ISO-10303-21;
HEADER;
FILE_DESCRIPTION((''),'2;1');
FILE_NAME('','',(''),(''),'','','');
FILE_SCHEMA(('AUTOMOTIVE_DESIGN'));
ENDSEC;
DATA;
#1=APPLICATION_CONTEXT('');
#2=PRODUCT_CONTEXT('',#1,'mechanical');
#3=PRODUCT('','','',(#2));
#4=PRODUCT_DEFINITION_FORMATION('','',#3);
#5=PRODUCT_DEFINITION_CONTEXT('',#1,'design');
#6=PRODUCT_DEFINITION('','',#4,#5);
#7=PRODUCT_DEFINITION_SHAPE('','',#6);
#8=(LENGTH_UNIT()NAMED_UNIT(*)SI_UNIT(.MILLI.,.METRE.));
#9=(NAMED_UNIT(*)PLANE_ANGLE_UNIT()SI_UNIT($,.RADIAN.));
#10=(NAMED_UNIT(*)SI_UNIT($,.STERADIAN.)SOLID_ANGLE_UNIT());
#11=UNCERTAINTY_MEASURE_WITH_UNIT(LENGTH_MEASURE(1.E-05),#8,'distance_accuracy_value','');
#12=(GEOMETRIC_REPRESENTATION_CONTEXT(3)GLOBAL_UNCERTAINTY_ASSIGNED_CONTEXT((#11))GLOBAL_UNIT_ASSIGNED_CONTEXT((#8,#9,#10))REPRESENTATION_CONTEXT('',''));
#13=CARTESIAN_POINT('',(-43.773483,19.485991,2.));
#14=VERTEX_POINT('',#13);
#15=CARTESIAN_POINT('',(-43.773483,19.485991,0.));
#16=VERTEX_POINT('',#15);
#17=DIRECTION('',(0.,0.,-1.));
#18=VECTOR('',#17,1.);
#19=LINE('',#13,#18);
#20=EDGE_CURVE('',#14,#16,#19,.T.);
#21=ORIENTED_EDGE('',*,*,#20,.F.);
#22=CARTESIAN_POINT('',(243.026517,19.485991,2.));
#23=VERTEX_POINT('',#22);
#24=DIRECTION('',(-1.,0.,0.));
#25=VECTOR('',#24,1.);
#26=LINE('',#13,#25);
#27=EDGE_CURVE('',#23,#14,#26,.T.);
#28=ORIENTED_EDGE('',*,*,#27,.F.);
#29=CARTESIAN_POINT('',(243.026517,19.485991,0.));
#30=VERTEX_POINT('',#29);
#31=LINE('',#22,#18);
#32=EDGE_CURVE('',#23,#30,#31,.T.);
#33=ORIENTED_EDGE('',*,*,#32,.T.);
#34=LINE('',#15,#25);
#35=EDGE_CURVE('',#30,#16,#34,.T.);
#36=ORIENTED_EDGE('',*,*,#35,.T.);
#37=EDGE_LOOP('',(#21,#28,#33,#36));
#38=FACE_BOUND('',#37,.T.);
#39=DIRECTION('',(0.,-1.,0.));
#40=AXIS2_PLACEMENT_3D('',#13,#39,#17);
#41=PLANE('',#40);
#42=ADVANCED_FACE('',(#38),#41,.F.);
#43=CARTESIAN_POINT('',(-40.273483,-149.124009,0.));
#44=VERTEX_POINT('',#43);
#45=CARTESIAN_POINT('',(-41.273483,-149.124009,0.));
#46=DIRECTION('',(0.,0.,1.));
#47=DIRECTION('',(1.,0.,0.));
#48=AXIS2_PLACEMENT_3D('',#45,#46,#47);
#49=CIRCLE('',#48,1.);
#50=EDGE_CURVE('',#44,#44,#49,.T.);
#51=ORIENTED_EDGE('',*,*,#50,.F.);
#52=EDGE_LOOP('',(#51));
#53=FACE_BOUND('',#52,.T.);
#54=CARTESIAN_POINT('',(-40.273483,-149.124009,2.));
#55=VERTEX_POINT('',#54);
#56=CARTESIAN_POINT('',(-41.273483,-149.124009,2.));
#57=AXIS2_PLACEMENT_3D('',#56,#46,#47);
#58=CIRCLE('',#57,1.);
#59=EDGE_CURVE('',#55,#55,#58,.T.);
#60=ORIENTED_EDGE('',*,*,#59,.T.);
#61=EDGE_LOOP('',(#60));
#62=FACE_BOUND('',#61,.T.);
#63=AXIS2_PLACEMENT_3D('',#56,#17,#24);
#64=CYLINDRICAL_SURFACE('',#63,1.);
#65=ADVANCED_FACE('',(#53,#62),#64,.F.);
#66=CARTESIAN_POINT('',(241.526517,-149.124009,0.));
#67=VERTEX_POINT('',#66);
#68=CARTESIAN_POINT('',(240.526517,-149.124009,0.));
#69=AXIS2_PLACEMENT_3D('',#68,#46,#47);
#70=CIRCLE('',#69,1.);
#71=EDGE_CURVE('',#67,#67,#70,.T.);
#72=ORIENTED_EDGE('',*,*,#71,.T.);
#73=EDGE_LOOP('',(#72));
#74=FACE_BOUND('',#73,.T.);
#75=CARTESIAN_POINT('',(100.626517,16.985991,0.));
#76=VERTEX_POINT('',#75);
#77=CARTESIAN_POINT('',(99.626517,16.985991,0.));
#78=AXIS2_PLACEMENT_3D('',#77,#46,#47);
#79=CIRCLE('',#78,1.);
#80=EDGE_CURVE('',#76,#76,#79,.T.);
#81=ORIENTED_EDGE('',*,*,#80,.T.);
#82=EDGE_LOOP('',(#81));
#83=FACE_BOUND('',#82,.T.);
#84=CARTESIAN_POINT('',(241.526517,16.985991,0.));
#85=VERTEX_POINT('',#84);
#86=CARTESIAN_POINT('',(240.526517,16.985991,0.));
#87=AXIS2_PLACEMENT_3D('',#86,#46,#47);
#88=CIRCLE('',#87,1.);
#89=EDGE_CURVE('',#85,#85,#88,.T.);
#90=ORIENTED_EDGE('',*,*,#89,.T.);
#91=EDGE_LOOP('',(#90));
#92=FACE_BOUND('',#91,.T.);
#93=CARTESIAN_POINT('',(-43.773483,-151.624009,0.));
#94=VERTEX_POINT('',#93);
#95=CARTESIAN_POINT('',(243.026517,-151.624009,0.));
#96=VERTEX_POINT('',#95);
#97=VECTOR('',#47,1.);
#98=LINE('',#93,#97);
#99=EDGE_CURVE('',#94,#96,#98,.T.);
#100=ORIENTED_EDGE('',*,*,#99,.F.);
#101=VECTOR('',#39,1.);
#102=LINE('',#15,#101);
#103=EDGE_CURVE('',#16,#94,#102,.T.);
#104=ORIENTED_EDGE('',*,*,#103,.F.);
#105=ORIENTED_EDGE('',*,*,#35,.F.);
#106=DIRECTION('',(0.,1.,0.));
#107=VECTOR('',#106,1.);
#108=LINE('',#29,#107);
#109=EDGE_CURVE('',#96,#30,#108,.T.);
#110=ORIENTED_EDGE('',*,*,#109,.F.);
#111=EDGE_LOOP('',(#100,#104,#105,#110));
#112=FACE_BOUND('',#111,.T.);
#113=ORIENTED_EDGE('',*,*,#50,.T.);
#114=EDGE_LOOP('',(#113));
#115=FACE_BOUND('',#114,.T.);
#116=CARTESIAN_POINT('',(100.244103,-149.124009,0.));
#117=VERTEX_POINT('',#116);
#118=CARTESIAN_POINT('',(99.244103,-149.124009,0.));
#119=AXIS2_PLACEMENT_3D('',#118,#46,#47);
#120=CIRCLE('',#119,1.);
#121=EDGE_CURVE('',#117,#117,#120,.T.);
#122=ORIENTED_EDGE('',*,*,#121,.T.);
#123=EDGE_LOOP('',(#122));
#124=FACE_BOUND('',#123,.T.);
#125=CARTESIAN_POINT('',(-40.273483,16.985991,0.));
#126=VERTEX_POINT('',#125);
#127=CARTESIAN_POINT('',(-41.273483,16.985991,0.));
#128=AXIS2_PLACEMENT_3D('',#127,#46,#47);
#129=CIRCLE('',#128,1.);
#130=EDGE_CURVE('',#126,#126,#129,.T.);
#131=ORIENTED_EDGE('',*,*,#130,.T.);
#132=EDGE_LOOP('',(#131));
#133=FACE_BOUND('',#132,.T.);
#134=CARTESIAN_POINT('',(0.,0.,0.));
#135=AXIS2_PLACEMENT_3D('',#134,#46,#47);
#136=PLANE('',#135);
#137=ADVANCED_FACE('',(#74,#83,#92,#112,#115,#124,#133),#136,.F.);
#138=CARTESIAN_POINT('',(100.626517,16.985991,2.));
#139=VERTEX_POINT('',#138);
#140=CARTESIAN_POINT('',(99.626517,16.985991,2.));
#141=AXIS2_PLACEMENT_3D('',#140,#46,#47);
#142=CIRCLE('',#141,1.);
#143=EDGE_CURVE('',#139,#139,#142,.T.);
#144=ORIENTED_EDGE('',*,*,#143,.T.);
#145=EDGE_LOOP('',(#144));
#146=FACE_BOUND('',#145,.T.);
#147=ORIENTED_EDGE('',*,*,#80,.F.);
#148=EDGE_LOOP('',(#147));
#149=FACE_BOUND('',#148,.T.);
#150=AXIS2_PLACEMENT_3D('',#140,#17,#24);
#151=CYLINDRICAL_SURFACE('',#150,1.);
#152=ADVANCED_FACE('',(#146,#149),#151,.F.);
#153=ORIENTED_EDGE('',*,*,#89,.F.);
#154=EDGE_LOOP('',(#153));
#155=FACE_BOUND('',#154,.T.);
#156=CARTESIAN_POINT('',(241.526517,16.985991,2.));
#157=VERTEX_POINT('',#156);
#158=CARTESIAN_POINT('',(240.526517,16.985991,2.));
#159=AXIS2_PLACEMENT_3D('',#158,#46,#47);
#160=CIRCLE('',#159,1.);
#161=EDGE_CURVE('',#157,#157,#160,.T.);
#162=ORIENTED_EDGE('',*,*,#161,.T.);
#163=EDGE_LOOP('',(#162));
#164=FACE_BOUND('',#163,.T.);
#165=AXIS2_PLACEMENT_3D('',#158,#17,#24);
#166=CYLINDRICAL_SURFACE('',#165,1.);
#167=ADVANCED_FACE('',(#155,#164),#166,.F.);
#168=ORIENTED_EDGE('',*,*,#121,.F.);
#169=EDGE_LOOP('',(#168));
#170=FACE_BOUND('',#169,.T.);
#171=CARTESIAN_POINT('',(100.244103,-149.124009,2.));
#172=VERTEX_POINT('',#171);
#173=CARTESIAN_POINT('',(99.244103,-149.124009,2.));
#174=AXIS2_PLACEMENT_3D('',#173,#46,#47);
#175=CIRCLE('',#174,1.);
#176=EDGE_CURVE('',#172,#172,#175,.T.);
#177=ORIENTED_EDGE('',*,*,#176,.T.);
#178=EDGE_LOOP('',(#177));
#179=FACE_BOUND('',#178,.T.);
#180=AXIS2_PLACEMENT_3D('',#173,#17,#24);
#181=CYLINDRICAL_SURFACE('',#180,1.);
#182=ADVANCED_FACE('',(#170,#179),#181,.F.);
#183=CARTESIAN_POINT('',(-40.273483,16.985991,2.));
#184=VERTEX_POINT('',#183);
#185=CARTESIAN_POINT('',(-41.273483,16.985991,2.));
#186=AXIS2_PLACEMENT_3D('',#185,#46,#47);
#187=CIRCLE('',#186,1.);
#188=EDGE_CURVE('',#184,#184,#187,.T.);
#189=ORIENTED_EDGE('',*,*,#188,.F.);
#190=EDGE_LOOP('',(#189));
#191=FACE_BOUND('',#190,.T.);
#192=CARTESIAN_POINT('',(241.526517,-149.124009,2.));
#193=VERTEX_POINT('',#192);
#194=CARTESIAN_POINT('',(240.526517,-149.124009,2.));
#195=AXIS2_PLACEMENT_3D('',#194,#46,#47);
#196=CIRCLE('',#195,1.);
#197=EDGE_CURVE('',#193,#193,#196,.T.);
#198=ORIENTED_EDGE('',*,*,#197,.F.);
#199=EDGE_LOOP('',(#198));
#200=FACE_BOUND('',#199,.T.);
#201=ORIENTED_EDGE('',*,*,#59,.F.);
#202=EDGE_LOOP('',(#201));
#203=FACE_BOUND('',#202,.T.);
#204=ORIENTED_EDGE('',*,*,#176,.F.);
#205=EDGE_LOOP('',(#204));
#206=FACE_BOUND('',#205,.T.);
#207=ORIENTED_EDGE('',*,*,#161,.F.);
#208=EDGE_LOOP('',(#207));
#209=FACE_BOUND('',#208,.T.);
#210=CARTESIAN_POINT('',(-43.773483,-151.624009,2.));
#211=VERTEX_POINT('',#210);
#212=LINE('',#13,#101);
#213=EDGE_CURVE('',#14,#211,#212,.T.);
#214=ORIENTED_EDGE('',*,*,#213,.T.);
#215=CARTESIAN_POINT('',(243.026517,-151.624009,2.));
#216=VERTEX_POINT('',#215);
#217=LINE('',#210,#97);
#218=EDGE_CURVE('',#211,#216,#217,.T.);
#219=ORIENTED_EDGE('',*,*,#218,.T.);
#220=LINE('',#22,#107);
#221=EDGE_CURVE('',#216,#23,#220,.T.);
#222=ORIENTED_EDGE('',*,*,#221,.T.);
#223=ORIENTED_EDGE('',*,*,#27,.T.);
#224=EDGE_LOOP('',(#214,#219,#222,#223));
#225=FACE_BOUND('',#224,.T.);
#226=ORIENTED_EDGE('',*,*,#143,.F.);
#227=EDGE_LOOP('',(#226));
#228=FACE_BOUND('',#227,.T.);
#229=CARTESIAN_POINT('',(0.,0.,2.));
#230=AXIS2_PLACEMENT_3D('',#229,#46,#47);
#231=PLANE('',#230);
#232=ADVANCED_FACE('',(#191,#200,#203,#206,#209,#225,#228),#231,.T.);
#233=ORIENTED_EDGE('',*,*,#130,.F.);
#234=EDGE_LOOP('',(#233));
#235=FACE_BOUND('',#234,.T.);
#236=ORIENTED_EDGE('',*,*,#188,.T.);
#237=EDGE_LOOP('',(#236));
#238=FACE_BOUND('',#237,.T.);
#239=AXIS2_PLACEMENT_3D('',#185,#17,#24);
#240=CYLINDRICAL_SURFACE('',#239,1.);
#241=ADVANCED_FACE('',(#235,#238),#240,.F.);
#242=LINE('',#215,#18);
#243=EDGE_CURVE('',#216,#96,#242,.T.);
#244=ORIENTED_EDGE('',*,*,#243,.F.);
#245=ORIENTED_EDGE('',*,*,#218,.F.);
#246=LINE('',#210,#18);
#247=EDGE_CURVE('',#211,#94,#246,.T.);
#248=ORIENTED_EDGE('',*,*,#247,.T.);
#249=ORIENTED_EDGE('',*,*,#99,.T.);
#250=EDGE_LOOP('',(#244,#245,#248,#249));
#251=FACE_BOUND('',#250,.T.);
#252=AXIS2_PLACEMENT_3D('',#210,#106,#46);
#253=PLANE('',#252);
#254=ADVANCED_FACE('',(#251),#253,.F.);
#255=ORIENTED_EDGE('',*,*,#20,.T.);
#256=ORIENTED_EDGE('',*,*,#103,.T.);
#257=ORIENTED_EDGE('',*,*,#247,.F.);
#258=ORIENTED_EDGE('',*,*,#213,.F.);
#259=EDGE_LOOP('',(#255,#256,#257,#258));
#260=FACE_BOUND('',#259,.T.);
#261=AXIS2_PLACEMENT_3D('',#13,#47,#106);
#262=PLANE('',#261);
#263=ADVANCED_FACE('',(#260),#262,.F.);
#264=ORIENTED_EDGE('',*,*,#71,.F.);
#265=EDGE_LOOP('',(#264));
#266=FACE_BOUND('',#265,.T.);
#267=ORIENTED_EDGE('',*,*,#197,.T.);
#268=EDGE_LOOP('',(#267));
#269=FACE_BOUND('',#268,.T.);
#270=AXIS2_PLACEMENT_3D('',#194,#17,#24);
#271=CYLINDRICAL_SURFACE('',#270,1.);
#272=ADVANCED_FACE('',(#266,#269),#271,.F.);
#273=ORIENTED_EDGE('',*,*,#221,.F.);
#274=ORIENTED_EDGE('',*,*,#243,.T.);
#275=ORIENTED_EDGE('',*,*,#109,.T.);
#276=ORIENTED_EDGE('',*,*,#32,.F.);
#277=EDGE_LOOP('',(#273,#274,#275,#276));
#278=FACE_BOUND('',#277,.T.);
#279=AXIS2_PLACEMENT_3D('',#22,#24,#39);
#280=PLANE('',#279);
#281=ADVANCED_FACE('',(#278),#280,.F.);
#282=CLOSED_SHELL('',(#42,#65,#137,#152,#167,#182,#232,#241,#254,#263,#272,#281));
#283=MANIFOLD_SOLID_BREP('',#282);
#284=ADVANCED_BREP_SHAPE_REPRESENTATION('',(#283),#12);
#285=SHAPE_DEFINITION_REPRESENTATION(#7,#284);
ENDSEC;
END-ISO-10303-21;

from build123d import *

# Parameters (mm, degrees)
ESQUISSE1_W        = 286.8
ESQUISSE1_H        = 171.11
ESQUISSE1_R        = 1
BOSS_EXTRU_1_DEPTH = 2


with BuildPart() as part:
    # Esquisse1 → Boss.-Extru.1 (new body)
    with BuildSketch(Plane.XY):
        with Locations((99.626517238, -66.069008859)):
            Rectangle(ESQUISSE1_W, ESQUISSE1_H)
        with Locations((-41.273482762, 16.985991141)):
            Circle(ESQUISSE1_R, mode=Mode.SUBTRACT)
        with Locations((-41.273482762, -149.124008859)):
            Circle(ESQUISSE1_R, mode=Mode.SUBTRACT)
        with Locations((240.526517238, 16.985991141)):
            Circle(ESQUISSE1_R, mode=Mode.SUBTRACT)
        with Locations((240.526517238, -149.124008859)):
            Circle(ESQUISSE1_R, mode=Mode.SUBTRACT)
        with Locations((99.626517238, 16.985991141)):
            Circle(ESQUISSE1_R, mode=Mode.SUBTRACT)
        with Locations((99.244103399, -149.124008859)):
            Circle(ESQUISSE1_R, mode=Mode.SUBTRACT)
    extrude(amount=BOSS_EXTRU_1_DEPTH)


solid = part.part
